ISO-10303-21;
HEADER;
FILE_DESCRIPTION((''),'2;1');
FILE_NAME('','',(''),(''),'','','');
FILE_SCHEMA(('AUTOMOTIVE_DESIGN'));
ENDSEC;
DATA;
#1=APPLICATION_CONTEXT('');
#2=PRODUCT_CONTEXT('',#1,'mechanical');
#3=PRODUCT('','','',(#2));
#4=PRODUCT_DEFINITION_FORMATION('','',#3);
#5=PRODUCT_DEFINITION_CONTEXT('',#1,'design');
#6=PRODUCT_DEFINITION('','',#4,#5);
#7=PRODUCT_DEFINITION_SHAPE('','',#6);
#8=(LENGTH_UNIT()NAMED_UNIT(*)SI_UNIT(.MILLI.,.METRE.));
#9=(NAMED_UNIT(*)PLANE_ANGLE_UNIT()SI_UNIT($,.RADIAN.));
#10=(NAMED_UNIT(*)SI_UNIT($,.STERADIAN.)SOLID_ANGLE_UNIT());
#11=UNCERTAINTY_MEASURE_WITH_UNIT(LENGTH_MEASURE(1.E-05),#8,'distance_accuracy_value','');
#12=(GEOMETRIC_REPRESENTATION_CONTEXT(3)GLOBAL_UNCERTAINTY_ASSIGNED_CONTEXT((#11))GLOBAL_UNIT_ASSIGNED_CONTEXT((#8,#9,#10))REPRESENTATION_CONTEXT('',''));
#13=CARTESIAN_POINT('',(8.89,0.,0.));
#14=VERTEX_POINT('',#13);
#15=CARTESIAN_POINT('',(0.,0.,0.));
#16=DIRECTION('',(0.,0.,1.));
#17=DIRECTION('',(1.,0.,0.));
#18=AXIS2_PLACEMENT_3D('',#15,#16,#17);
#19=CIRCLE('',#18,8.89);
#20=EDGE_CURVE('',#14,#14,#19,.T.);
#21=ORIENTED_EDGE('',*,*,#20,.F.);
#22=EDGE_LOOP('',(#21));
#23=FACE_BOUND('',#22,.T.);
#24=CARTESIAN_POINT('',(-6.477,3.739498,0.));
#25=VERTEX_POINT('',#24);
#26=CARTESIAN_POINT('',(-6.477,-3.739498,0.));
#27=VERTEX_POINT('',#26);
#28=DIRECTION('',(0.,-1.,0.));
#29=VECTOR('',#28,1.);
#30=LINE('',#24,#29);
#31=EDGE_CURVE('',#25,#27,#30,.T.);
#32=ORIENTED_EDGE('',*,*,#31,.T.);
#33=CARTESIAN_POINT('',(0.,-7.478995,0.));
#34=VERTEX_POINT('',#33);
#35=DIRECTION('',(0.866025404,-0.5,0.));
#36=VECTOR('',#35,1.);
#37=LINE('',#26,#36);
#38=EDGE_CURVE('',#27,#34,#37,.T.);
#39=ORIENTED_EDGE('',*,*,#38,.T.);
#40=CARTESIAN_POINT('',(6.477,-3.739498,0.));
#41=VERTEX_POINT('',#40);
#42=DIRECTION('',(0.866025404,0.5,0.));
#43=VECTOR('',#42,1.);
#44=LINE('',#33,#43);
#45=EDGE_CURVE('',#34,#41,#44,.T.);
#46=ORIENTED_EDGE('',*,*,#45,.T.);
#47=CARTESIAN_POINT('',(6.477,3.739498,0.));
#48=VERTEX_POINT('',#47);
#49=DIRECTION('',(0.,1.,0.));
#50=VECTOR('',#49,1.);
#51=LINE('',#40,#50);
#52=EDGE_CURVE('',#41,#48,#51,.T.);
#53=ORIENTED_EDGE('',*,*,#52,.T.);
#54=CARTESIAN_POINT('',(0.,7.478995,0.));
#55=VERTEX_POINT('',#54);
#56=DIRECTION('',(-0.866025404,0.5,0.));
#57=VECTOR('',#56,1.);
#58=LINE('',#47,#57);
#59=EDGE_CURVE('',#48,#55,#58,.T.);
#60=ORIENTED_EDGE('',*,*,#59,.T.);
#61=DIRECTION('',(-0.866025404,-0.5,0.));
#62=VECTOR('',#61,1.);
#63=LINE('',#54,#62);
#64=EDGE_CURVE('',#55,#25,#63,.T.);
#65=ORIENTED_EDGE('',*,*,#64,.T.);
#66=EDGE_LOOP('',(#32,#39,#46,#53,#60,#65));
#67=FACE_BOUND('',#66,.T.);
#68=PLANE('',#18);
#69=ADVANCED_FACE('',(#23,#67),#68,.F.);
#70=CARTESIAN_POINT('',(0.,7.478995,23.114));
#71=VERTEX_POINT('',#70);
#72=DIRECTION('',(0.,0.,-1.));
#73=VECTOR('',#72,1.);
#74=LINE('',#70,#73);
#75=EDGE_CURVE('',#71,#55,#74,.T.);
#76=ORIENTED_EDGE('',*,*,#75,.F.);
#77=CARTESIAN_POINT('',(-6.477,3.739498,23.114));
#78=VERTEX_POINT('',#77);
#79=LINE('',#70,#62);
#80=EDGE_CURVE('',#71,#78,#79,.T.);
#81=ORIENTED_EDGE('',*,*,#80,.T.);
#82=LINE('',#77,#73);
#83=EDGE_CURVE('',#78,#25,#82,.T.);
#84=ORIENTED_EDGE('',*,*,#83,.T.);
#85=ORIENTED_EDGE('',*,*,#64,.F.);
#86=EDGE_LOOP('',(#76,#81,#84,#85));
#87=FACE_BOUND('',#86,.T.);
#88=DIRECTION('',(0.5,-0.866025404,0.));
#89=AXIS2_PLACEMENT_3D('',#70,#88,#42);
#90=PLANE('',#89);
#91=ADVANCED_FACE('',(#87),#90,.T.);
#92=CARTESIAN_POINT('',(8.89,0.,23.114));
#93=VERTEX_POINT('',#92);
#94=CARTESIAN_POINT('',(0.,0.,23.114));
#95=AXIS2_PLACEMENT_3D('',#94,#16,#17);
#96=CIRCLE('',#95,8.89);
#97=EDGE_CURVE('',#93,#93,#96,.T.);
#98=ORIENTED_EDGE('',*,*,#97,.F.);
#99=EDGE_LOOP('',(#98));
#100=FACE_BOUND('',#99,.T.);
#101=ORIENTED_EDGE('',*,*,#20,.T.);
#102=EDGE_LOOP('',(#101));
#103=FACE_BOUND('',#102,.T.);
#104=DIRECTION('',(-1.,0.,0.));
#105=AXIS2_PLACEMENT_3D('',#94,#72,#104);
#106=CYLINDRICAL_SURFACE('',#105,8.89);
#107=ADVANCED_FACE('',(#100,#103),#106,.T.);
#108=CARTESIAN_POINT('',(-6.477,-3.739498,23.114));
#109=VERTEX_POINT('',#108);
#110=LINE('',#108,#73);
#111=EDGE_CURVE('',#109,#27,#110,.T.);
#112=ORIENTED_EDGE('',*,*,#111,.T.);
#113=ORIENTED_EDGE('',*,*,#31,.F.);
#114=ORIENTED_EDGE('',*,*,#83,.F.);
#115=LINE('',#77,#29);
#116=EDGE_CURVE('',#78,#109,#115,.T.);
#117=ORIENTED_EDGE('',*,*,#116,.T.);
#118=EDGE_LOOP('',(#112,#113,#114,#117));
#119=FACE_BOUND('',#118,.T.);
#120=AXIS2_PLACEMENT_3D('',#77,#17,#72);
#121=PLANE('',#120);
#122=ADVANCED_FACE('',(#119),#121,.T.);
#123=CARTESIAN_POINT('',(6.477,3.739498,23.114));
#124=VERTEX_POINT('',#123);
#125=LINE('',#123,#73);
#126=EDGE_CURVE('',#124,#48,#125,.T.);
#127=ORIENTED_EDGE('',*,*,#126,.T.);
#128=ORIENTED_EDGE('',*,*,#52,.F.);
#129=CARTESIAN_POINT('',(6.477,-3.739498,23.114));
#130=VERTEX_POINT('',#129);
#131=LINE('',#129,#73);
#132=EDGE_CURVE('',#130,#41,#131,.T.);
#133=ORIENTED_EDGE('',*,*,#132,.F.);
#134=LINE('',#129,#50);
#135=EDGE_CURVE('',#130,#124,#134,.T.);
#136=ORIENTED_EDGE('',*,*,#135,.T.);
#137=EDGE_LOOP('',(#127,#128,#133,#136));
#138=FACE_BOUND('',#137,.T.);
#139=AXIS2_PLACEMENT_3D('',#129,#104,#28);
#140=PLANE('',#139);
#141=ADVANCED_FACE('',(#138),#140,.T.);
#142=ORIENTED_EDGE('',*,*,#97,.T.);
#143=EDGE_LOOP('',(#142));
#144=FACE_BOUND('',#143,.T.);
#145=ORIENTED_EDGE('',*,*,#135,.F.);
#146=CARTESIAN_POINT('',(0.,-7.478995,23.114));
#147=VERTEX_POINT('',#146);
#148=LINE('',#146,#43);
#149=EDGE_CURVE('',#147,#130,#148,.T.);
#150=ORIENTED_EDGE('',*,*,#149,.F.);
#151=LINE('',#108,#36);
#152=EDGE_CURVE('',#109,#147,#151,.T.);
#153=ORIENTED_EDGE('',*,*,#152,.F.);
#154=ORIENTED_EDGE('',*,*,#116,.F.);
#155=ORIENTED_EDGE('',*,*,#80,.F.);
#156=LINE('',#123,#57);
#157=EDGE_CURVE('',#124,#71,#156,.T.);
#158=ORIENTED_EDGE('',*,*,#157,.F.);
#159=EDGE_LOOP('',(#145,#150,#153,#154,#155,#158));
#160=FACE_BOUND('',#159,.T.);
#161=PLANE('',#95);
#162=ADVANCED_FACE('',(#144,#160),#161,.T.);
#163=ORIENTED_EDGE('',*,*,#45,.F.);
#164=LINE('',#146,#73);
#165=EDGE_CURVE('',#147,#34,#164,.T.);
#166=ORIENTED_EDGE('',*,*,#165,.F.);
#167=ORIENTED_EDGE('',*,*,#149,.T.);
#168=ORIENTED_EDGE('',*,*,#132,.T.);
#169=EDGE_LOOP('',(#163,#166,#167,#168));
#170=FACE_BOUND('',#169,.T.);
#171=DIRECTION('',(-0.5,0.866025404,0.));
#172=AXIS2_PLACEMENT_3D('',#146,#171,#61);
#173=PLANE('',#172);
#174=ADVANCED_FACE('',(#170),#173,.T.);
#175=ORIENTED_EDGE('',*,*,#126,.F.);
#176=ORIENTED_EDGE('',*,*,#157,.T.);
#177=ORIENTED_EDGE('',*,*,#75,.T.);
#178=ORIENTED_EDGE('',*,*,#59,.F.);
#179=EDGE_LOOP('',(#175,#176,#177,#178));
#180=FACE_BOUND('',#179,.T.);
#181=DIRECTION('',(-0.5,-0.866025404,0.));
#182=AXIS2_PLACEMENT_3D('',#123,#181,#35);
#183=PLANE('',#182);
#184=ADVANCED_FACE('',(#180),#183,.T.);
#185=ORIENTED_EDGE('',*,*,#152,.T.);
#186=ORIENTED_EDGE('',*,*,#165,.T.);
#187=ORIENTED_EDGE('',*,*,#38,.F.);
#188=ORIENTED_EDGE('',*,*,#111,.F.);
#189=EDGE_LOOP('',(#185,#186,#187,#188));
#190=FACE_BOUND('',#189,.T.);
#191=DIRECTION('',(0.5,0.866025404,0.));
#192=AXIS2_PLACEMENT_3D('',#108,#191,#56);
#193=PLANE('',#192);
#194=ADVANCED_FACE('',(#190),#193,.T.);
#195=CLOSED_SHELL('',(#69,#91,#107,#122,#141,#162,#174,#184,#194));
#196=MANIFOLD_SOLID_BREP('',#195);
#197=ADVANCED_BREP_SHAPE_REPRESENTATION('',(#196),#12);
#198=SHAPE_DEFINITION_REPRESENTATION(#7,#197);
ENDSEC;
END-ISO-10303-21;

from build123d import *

# Parameters (mm, degrees)
SKETCH1_R           = 8.89
BOSS_EXTRUDE1_DEPTH = 23.114


with BuildPart() as part:
    # Sketch1 → Boss-Extrude1 (new body)
    with BuildSketch(Plane.XY):
        Circle(SKETCH1_R)
        Polygon((0, 7.478995387), (-6.477, 3.739497694), (-6.477, -3.739497694), (0, -7.478995387), (6.477, -3.739497694), (6.477, 3.739497694), align=None, mode=Mode.SUBTRACT)
    extrude(amount=BOSS_EXTRUDE1_DEPTH)


solid = part.part
